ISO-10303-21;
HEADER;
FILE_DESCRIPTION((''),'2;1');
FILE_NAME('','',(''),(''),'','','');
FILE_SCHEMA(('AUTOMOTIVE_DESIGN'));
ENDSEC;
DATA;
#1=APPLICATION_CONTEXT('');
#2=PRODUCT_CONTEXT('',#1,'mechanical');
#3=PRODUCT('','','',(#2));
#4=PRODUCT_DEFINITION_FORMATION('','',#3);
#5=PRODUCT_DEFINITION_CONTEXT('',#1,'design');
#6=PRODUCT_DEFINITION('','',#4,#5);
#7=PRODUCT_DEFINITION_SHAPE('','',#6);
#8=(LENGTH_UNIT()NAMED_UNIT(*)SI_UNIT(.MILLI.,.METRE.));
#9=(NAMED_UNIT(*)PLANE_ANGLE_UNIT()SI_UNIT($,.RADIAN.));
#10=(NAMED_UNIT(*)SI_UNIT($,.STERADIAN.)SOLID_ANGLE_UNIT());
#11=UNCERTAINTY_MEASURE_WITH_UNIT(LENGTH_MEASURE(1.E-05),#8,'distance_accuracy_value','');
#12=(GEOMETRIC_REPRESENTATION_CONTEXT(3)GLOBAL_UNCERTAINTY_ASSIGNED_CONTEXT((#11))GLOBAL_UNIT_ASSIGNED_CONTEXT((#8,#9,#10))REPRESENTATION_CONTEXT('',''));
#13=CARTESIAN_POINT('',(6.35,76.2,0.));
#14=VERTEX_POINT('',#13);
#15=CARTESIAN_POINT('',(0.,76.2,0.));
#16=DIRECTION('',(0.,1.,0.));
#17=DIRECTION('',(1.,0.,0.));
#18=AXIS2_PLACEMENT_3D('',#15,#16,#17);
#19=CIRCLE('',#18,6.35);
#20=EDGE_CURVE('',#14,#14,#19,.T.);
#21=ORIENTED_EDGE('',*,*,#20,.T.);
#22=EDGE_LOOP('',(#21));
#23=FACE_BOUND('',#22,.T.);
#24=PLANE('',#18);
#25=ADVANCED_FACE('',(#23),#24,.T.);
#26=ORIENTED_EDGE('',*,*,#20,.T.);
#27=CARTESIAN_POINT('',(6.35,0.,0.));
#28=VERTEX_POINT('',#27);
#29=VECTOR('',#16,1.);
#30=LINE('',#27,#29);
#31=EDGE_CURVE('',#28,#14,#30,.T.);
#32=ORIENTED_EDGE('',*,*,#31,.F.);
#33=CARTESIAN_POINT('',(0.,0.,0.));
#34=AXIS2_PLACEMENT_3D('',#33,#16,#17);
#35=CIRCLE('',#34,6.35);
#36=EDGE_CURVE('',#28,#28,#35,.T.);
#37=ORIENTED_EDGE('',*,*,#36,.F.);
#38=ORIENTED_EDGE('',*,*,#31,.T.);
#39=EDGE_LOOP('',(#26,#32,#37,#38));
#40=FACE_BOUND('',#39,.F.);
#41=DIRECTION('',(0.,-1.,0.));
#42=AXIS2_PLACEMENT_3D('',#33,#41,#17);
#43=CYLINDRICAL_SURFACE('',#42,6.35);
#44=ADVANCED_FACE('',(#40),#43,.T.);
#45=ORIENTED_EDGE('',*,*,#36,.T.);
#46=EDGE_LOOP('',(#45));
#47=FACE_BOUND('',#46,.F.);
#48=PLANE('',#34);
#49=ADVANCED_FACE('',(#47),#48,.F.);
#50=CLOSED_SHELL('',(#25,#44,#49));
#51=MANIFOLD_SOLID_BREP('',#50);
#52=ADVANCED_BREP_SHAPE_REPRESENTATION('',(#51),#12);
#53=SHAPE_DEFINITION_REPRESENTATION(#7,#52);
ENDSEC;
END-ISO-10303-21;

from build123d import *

# Parameters (mm, degrees)
SKETCH1_R           = 6.35
BOSS_EXTRUDE1_DEPTH = 76.2


with BuildPart() as part:
    # Sketch1 → Boss-Extrude1 (new body)
    with BuildSketch(Plane(origin=(0, 0, 0), x_dir=(1, 0, 0), z_dir=(0, 1, 0))):
        Circle(SKETCH1_R)
    extrude(amount=BOSS_EXTRUDE1_DEPTH)


solid = part.part
